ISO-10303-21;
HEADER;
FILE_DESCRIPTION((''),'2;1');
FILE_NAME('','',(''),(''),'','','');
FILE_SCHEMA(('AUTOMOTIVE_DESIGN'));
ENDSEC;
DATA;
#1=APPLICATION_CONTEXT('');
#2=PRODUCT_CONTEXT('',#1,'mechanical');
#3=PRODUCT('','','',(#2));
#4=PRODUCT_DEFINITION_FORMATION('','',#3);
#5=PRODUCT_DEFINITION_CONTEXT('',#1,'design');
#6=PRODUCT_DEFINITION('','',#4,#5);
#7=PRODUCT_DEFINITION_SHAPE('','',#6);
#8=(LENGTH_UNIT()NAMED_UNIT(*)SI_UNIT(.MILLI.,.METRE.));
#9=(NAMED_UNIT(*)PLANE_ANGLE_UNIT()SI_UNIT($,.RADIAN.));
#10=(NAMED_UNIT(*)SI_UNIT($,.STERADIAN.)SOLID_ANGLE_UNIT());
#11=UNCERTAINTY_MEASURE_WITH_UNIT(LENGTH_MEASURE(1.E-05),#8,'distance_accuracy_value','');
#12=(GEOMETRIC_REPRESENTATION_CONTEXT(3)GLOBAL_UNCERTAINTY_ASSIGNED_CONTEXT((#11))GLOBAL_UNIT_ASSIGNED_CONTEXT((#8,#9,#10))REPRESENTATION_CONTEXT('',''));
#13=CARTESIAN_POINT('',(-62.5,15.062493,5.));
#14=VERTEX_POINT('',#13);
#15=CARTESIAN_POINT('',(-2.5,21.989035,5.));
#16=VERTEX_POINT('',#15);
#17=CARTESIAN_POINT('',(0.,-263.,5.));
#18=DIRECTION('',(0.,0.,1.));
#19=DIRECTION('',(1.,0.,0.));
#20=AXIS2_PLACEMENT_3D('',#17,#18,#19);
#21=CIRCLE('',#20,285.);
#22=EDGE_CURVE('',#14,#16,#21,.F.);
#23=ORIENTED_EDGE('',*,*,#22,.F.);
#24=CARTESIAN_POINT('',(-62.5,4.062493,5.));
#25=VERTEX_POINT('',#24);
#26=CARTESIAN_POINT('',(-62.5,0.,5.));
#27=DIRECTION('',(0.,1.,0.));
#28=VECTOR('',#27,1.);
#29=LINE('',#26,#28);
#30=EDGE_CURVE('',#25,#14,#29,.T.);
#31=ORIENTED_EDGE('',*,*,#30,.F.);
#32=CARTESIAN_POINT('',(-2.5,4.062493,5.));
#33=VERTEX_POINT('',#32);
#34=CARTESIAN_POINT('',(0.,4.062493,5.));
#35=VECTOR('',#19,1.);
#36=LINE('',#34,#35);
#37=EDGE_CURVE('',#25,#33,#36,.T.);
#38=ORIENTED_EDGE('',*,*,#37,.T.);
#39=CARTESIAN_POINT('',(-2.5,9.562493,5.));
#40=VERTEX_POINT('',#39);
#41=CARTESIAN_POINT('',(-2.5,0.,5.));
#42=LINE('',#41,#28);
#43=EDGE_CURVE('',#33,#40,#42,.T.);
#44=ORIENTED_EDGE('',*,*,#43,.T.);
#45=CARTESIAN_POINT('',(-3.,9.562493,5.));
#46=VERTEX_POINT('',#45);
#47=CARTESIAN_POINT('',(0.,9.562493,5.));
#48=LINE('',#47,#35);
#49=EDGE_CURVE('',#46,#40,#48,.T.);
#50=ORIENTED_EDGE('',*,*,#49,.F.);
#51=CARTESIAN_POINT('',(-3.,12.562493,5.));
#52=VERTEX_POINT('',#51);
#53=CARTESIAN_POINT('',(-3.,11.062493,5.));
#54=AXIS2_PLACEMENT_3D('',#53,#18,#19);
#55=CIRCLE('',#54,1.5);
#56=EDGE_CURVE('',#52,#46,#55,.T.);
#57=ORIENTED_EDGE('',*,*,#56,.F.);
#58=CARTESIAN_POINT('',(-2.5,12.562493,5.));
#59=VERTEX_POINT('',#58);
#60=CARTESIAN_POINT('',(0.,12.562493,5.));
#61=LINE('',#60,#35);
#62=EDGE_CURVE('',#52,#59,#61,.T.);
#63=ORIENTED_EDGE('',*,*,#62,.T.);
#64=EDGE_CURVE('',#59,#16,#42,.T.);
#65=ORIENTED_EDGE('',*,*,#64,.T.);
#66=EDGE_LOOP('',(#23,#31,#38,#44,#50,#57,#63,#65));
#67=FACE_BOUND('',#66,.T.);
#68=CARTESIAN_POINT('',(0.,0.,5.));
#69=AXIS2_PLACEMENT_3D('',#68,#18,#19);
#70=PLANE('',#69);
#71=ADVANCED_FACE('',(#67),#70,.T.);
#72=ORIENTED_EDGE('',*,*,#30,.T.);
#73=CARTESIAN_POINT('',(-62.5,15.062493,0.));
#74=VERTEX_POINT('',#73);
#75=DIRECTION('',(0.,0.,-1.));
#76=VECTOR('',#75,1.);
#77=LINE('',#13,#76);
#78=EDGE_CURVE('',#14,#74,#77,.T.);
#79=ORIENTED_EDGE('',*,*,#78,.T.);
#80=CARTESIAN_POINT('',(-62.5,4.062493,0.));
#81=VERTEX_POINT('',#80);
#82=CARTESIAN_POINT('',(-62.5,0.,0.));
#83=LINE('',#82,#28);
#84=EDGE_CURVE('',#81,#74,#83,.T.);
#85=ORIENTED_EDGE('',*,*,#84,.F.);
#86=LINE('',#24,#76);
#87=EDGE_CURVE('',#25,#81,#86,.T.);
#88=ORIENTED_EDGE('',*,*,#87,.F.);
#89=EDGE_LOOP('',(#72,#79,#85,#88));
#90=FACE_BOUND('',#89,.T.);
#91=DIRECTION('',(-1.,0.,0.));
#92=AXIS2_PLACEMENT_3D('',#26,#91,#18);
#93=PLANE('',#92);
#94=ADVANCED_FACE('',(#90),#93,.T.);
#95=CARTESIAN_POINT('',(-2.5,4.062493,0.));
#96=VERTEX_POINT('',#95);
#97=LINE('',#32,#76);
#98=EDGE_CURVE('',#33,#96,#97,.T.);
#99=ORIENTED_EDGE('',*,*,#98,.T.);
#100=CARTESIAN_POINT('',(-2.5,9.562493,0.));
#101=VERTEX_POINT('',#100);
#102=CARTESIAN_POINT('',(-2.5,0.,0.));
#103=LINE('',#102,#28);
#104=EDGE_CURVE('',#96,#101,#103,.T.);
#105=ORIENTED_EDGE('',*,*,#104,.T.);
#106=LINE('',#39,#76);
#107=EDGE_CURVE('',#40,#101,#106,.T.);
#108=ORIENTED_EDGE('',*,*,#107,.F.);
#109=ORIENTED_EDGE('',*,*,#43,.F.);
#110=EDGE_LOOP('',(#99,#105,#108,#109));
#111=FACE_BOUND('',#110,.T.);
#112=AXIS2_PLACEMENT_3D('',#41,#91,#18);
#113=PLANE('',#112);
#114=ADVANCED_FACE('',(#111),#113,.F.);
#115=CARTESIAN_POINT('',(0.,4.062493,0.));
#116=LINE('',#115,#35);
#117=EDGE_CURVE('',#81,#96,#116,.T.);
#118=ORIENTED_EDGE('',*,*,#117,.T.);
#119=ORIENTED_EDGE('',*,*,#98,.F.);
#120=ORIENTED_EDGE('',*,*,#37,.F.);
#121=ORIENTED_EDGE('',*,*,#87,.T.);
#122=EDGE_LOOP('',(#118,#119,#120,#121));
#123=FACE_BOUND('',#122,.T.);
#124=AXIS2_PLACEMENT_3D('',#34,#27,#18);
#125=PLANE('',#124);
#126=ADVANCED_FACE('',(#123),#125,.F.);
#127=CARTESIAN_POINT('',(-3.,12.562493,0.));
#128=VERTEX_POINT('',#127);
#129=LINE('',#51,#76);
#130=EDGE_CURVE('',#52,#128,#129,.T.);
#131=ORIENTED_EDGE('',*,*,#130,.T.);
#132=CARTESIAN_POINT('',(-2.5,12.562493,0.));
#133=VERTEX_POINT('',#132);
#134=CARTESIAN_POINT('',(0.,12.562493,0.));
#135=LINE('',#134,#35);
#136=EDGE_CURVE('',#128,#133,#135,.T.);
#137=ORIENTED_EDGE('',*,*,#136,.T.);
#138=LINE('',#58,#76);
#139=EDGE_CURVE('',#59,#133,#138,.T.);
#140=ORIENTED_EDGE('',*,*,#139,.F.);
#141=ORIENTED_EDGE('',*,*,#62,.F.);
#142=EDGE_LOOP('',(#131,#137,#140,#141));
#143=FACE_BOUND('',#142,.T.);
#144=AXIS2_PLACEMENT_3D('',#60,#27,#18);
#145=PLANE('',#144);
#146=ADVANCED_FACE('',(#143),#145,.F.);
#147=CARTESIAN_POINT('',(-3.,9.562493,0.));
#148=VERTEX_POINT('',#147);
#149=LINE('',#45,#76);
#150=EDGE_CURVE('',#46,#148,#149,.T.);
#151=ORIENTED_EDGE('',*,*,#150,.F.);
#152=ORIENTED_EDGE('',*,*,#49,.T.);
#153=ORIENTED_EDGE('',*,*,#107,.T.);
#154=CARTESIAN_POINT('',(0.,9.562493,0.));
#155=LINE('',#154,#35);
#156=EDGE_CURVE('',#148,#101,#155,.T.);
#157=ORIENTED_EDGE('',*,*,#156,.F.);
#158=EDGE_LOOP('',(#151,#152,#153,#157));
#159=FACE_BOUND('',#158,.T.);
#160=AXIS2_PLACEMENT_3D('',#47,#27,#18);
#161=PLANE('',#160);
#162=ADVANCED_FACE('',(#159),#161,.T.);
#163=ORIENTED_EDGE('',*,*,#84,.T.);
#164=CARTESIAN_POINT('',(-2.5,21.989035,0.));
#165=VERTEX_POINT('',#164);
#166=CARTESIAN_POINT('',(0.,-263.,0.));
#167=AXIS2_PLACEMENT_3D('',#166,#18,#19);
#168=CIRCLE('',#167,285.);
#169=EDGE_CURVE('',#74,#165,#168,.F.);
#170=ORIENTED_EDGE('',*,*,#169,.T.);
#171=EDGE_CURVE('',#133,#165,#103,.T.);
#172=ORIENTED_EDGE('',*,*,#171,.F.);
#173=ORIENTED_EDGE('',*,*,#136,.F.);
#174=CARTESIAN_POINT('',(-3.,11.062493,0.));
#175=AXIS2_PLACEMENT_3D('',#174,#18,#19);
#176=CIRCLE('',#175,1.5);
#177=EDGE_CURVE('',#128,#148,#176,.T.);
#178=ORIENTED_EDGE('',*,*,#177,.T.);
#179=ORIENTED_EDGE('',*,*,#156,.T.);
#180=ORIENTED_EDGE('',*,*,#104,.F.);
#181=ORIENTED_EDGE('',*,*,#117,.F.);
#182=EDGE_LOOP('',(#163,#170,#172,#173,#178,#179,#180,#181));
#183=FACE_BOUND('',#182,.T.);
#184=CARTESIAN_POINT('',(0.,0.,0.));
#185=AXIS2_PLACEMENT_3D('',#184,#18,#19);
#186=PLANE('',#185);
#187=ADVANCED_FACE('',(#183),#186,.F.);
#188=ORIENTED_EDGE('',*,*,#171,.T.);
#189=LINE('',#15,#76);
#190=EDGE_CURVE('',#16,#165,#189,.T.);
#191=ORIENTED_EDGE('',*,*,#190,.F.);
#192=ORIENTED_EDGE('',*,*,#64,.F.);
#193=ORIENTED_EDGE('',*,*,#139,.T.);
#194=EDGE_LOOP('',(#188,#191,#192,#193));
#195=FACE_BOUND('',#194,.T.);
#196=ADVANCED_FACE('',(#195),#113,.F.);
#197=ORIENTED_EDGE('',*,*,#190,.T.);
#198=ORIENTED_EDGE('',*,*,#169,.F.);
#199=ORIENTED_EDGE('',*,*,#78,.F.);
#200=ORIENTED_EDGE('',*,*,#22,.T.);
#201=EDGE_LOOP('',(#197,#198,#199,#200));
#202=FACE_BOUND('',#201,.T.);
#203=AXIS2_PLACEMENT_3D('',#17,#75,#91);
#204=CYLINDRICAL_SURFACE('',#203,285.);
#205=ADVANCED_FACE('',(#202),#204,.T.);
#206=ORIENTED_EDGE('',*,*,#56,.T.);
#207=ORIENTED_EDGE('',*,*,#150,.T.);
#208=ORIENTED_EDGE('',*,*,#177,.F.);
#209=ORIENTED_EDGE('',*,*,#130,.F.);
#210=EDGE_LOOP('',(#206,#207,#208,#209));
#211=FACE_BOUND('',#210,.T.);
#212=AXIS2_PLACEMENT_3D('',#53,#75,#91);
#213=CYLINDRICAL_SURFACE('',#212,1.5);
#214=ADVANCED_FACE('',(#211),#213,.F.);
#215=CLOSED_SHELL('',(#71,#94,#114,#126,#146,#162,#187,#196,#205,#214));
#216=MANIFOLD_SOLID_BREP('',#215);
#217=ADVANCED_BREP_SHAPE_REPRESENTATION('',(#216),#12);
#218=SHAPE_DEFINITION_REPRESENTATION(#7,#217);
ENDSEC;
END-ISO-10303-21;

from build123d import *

# Parameters (mm, degrees)
EXTRUDE_1_DEPTH = 5


with BuildPart() as part:
    # Эскиз1 → Бобышка-Вытянуть1 (new body)
    with BuildSketch(Plane.XY):
        with BuildLine():
            ThreePointArc((-3, 12.562492976), (-4.5, 11.062492976), (-3, 9.562492976))
            Line((-3, 9.562492976), (-2.5, 9.562492976))
            Line((-2.5, 9.562492976), (-2.5, 4.062492976))
            Line((-2.5, 4.062492976), (-6, 4.062492976))
            Line((-6, 4.062492976), (-62.5, 4.062492976))
            Line((-62.5, 4.062492976), (-62.5, 15.062492976))
            ThreePointArc((-62.5, 15.062492976), (-32.684005961, 20.119684505), (-2.5, 21.989034877))
            Line((-2.5, 21.989034877), (-2.5, 12.562492976))
            Line((-2.5, 12.562492976), (-3, 12.562492976))
        make_face()
    extrude(amount=EXTRUDE_1_DEPTH)


solid = part.part
